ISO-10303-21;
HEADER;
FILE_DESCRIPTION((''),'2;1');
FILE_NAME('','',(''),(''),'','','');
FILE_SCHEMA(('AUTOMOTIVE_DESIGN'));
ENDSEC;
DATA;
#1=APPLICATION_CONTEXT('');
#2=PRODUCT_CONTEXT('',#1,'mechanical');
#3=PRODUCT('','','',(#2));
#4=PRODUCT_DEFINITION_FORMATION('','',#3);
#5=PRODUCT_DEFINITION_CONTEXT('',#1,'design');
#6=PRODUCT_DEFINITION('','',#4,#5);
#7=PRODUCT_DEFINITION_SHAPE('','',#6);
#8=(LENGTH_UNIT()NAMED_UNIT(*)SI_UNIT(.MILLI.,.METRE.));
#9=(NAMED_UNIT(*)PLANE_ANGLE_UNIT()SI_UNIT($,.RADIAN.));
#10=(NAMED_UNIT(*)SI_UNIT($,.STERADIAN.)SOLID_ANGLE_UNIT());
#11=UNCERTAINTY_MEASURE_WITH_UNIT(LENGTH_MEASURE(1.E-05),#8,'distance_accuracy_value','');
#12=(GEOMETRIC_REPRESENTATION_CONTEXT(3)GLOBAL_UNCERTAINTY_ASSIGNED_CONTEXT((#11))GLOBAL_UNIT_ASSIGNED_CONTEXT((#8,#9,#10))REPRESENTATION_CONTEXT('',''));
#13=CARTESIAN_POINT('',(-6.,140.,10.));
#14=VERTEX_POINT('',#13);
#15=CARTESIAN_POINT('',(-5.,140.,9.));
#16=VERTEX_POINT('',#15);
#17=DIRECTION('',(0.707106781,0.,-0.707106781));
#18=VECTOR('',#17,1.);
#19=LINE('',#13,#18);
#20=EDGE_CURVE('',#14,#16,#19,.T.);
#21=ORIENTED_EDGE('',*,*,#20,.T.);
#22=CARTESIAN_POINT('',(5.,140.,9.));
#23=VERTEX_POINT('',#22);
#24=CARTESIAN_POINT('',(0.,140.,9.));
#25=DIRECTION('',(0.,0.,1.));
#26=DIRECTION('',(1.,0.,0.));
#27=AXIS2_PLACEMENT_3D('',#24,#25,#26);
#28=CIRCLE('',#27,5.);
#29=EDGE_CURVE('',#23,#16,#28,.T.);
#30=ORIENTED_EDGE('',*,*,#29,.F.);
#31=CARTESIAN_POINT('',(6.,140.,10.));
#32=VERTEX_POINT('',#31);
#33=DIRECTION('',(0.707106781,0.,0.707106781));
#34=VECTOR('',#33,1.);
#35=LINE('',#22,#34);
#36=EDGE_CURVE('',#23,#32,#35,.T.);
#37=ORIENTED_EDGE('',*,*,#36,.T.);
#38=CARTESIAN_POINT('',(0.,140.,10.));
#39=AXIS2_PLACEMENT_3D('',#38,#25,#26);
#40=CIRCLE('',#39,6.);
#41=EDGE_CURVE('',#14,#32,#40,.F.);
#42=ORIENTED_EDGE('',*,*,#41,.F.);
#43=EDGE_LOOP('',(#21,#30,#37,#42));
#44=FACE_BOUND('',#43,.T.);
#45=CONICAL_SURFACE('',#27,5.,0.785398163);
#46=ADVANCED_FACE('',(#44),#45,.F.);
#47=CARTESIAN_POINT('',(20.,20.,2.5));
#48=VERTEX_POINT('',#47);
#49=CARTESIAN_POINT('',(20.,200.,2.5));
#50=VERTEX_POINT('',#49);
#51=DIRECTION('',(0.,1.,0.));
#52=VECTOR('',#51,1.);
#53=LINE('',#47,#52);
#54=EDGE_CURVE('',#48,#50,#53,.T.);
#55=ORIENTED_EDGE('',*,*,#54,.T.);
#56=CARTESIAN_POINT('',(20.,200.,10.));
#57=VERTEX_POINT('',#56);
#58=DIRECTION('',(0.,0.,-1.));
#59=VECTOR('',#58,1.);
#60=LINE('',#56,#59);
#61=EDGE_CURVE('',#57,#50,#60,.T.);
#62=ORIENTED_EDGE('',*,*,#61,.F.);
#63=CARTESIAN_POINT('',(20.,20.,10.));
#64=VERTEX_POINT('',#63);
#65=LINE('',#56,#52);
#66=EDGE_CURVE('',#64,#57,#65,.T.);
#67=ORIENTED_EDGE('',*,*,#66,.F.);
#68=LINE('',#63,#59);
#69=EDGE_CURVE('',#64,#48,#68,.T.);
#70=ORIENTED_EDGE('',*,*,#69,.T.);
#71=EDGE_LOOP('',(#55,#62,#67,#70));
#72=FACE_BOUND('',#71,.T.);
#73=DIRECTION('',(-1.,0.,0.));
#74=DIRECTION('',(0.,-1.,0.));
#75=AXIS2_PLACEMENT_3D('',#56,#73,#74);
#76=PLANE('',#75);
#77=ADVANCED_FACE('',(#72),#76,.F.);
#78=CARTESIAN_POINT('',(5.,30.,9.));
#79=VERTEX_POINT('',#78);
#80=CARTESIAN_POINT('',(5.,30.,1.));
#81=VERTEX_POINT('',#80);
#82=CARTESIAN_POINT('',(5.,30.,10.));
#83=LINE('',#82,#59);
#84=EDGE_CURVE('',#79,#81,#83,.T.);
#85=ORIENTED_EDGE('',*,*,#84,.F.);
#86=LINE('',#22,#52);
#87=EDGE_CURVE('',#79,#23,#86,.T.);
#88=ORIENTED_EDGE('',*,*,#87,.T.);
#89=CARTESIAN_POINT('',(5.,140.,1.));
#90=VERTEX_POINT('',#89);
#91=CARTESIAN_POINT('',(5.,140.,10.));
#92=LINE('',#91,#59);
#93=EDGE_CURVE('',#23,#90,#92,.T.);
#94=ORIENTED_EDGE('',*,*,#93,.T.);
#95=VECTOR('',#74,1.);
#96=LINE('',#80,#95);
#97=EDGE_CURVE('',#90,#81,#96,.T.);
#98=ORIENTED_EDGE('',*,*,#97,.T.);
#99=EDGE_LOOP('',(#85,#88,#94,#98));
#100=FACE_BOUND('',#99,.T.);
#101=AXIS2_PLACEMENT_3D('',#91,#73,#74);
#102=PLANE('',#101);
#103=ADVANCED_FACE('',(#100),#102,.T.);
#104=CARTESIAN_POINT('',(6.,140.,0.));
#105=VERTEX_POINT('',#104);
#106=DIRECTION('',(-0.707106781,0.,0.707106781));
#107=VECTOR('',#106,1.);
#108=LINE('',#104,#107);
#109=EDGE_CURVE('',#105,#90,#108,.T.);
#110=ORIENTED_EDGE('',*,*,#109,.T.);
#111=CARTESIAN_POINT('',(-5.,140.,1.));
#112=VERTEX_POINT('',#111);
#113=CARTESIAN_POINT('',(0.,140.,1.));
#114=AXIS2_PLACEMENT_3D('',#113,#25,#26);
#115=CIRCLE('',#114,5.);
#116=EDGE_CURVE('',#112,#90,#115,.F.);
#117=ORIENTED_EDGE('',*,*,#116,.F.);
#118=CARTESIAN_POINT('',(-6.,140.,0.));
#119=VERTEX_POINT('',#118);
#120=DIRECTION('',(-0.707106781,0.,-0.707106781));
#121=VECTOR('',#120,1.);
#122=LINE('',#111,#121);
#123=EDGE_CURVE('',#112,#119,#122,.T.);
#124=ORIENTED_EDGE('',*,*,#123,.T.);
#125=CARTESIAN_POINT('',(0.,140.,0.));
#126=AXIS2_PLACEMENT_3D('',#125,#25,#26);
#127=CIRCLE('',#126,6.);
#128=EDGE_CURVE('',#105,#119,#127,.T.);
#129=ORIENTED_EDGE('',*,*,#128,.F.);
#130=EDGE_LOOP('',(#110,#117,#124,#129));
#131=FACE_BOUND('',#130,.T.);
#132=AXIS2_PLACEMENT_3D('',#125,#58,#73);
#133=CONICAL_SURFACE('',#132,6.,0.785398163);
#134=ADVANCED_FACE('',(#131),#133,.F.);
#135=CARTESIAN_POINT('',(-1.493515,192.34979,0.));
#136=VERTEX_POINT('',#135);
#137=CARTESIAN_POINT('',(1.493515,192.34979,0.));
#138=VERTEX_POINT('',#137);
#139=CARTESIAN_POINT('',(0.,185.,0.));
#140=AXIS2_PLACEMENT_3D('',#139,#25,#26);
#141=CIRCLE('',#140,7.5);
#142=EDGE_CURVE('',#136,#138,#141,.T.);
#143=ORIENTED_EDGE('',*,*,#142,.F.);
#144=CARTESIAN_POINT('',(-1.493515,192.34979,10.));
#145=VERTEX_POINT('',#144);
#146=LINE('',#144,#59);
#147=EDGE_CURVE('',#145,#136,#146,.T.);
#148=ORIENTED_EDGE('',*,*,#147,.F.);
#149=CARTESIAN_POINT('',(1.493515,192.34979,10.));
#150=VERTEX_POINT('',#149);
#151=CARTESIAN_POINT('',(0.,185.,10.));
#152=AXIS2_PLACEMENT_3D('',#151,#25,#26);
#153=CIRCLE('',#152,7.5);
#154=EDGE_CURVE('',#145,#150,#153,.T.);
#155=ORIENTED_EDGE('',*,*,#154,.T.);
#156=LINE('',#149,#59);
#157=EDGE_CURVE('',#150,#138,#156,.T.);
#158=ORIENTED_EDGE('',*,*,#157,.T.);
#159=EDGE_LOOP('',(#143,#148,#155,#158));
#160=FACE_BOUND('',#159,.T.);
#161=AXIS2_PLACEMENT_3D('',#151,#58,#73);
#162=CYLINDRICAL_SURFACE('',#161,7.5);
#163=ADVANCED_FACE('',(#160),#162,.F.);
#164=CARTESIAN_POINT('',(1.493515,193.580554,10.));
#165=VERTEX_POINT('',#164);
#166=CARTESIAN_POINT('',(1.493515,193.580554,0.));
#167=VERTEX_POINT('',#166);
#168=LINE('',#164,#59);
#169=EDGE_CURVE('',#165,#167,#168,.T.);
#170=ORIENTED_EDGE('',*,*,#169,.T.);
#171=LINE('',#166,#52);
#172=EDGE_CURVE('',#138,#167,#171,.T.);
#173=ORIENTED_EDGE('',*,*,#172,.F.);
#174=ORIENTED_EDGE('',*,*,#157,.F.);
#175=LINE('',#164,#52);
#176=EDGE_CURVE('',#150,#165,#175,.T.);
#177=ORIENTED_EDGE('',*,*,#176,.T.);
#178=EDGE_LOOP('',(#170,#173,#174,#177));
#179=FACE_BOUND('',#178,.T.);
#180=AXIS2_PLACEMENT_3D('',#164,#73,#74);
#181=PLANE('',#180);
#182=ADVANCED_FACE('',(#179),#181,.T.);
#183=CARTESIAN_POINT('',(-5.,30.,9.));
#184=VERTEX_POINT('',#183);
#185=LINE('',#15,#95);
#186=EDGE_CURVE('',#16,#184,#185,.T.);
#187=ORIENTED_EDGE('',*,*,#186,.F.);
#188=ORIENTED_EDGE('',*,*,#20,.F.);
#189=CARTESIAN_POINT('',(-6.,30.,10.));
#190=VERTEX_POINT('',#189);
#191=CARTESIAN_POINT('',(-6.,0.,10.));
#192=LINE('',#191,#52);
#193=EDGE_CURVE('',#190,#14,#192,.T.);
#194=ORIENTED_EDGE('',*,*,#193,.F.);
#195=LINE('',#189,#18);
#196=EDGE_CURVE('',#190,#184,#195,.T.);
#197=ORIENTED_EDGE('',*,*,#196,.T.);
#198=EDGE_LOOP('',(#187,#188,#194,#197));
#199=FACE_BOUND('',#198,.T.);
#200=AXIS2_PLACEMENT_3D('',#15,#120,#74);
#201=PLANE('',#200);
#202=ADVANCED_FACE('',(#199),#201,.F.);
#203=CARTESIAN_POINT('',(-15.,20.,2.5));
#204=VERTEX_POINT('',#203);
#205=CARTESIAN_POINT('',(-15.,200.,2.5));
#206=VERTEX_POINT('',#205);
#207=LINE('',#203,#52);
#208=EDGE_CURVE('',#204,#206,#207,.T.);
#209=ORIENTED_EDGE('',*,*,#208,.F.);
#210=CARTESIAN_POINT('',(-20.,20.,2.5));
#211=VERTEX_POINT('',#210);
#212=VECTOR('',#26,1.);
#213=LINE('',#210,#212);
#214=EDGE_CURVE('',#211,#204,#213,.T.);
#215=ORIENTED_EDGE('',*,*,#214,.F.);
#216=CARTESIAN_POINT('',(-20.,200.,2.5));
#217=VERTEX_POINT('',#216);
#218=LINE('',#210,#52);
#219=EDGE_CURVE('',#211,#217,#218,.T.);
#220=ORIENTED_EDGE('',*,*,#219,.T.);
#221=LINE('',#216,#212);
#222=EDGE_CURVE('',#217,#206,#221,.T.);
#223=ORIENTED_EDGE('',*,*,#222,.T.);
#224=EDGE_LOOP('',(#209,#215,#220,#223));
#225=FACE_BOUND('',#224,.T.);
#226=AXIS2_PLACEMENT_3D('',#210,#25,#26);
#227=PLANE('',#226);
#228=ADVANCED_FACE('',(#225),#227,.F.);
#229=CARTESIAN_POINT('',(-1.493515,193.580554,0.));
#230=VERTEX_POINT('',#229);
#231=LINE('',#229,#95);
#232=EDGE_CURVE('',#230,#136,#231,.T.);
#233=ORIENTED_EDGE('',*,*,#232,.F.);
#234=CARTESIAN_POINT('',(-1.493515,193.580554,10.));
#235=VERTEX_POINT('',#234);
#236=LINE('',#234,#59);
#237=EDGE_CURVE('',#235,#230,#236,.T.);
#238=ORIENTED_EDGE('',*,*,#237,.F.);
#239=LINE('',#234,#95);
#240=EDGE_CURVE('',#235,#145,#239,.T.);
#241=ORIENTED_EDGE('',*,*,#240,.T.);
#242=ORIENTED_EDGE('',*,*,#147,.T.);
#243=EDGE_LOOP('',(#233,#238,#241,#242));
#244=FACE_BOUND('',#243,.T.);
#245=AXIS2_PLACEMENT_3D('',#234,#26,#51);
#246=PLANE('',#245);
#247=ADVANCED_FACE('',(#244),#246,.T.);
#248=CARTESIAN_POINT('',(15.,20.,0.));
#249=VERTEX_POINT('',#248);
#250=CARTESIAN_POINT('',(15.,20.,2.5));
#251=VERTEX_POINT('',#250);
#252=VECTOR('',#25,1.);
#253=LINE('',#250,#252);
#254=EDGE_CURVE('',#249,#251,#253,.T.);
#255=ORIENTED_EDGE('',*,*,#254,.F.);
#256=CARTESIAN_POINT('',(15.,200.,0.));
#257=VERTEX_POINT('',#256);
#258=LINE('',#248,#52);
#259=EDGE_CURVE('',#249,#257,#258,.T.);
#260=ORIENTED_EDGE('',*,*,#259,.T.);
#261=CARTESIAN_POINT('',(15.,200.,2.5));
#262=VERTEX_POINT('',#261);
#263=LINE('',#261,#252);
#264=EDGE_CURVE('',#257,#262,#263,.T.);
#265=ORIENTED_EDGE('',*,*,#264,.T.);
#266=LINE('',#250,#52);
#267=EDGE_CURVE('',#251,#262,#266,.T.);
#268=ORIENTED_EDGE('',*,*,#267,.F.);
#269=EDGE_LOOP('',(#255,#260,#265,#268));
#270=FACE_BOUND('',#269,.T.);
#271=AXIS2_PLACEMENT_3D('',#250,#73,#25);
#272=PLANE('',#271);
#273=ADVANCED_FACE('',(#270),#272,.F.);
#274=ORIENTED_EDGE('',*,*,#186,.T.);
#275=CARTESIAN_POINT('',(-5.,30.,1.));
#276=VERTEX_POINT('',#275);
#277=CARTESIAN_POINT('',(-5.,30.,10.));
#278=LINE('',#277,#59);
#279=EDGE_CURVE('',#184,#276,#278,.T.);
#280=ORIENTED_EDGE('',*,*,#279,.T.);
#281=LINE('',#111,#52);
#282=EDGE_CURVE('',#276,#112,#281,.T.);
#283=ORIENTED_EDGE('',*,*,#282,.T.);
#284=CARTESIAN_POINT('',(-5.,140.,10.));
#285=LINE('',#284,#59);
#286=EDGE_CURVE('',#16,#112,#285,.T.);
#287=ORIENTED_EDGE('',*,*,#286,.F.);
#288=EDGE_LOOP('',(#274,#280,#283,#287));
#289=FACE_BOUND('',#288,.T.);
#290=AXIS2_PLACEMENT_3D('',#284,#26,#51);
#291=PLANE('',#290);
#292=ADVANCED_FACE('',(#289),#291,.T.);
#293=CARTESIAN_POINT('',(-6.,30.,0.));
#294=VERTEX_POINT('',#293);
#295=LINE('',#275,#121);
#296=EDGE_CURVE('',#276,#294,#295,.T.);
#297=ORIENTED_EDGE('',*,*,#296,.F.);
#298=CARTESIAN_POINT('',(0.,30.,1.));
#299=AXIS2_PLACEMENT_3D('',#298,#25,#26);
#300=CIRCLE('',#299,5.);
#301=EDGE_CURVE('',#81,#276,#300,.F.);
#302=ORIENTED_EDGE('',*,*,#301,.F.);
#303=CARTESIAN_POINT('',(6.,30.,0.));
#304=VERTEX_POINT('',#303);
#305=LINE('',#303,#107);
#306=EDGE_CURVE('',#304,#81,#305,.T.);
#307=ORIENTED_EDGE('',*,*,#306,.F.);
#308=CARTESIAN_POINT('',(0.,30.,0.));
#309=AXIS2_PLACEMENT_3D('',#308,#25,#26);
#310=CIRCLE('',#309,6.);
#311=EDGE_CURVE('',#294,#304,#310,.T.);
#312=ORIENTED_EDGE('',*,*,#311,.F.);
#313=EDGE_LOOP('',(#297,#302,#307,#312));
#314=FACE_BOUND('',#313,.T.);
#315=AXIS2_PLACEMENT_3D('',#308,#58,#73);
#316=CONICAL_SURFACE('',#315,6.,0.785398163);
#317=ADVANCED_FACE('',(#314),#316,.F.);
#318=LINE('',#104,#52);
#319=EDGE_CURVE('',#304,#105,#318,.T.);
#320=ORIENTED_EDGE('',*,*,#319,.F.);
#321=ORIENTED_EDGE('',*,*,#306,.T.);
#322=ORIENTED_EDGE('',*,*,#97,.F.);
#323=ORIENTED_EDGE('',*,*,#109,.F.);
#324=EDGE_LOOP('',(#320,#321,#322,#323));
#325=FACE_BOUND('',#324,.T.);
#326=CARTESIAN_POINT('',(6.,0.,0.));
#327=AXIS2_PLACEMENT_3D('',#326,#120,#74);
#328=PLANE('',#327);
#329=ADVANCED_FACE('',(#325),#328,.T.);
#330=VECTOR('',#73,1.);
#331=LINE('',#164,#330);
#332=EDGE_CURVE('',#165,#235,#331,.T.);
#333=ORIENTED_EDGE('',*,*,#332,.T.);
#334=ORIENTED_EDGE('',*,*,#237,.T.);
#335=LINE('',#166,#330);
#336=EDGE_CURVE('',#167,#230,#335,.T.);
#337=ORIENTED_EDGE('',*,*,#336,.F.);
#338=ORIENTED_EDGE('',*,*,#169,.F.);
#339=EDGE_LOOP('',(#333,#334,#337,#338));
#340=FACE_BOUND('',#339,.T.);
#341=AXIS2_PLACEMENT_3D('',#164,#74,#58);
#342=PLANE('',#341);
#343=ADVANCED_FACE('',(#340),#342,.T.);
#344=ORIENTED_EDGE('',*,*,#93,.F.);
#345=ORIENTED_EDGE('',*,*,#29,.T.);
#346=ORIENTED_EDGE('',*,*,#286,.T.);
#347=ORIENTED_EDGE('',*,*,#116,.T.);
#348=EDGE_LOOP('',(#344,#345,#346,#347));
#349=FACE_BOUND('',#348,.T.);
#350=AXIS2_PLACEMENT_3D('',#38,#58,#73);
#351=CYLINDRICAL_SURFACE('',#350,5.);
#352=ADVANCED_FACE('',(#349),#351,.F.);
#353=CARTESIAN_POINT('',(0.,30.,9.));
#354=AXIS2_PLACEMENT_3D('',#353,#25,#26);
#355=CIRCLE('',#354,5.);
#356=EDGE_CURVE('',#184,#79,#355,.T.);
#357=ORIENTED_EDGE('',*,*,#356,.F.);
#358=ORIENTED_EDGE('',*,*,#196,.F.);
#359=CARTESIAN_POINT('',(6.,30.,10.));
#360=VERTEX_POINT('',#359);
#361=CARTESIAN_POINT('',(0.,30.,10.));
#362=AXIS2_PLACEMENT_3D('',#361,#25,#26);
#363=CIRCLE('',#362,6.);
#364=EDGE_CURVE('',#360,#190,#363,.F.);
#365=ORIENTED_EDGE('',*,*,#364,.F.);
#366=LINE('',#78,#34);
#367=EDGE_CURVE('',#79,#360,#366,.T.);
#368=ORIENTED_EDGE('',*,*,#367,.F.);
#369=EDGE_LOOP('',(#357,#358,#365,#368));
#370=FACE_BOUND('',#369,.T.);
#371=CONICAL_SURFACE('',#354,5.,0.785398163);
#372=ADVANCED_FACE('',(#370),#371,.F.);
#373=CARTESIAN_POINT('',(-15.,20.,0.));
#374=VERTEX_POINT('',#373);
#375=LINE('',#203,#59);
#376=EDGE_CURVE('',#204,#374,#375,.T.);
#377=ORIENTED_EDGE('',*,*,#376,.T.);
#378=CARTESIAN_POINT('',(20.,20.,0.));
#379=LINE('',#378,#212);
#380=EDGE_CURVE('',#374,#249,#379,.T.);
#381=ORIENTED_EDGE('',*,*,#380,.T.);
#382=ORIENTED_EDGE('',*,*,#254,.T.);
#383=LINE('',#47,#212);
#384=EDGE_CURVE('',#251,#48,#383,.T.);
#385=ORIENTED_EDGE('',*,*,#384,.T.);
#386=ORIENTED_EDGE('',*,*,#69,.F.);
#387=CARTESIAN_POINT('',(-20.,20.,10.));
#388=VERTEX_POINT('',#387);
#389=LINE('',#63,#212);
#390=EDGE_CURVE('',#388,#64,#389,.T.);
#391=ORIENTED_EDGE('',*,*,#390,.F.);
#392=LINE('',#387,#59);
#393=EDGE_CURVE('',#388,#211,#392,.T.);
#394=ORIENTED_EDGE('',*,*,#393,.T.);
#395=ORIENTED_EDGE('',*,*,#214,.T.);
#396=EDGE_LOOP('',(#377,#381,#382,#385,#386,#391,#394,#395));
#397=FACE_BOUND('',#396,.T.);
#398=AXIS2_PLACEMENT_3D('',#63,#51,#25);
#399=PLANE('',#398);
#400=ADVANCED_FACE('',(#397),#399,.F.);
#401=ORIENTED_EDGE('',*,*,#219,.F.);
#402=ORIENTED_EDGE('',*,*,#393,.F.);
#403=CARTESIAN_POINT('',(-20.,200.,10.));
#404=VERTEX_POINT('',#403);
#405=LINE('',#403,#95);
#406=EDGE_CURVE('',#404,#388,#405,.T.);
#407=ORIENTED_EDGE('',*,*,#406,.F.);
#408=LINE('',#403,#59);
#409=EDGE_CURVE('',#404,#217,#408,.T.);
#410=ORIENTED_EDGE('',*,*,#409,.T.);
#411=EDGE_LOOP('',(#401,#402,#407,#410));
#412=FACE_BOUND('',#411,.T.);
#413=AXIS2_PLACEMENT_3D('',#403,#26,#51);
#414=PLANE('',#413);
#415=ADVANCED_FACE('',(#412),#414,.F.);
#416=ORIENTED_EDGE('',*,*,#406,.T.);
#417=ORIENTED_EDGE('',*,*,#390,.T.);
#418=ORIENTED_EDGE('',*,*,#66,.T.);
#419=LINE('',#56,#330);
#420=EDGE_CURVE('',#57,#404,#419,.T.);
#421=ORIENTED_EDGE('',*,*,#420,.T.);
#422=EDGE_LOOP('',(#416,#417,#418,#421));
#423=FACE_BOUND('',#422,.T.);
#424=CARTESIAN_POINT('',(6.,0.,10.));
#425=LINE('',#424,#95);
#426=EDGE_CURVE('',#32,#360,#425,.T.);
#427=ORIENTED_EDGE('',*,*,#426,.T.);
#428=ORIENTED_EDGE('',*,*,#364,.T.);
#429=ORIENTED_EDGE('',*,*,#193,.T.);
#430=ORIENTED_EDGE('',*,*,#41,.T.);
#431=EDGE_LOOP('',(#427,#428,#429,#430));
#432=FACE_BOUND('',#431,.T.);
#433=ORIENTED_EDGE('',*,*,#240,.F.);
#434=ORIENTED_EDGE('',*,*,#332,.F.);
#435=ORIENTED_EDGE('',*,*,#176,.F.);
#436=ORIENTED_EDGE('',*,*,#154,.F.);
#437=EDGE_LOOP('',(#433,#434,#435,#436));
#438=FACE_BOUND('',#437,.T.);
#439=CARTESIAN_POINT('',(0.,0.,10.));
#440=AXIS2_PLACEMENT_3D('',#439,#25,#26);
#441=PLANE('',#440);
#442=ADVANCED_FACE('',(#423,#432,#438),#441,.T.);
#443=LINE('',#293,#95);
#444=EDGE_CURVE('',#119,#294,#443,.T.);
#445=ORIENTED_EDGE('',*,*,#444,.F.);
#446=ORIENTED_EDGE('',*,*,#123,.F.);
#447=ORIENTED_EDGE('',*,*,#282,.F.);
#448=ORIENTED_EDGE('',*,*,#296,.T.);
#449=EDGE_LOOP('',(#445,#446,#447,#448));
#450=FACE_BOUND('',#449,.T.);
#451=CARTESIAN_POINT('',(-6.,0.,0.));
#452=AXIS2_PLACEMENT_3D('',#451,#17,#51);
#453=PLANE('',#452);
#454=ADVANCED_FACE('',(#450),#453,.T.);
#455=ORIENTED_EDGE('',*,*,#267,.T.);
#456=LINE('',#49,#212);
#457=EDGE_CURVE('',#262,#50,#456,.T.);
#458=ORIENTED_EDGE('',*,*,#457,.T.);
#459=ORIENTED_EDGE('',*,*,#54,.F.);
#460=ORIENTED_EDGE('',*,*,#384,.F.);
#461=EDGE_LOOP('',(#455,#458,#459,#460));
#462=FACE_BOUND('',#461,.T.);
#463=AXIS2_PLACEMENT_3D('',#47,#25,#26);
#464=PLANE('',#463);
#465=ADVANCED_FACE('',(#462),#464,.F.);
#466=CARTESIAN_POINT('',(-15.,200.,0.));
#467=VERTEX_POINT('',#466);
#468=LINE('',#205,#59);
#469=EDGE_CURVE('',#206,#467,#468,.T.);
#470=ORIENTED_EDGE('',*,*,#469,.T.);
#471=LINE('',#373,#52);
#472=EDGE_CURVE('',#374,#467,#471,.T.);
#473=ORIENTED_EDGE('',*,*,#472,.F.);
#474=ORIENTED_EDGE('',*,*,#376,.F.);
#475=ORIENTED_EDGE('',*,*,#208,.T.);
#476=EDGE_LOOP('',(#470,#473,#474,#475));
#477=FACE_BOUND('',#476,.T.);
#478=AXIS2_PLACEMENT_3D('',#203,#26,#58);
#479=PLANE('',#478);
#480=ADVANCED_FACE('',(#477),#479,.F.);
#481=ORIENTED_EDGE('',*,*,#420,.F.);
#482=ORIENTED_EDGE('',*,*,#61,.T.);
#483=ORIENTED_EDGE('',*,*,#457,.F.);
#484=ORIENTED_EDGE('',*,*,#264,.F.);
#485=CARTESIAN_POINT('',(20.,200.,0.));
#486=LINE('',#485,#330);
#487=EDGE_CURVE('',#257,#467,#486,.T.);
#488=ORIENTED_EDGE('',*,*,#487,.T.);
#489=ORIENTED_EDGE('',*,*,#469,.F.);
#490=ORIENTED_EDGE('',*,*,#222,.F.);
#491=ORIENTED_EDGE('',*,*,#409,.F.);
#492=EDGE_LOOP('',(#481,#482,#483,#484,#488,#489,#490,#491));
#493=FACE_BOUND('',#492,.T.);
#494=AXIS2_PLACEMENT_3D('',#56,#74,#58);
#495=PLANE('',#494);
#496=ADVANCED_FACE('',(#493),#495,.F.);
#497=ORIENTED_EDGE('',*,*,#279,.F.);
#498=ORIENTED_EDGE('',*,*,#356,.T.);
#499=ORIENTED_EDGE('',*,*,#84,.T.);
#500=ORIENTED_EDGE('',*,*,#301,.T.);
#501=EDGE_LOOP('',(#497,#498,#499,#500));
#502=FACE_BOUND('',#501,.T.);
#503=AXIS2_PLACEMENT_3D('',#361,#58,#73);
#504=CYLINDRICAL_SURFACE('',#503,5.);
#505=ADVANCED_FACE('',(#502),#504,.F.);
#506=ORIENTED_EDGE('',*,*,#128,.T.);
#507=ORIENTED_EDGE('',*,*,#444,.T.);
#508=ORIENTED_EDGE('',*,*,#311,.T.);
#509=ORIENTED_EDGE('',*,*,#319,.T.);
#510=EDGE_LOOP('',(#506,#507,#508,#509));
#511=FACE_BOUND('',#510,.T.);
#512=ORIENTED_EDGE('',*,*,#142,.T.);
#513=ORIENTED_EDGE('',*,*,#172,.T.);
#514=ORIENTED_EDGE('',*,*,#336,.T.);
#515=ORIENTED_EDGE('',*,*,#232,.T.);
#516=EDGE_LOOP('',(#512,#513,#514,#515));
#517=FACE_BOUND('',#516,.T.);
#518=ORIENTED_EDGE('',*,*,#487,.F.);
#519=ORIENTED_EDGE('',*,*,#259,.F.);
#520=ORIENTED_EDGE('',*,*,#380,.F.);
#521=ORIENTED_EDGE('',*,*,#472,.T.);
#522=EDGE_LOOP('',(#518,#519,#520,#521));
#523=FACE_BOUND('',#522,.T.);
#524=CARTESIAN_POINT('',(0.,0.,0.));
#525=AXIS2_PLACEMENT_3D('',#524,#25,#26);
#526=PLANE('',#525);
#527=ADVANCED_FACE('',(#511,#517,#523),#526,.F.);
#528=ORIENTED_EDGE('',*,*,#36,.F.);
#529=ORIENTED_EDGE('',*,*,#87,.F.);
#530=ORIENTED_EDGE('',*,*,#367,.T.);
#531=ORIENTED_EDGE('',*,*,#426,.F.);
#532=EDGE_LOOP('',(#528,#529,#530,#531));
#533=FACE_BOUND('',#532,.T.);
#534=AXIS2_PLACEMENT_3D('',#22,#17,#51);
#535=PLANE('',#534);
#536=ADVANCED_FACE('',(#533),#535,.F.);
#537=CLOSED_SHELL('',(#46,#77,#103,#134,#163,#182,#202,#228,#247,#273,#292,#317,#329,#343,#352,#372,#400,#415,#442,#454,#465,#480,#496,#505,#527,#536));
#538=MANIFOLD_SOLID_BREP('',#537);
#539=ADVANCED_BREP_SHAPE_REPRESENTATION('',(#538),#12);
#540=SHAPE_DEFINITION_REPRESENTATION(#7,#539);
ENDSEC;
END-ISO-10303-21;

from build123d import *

# Parameters (mm, degrees)
SZKIC1_W                    = 40
SZKIC1_H                    = 180
DODANIE_WYCI_GNI_CIE1_DEPTH = 10
SZKIC2_W                    = 5
SZKIC2_H                    = 2.5
WYTNIJ_WYCI_GNI_CIE1_DEPTH  = 182.383571472
SFAZOWANIE1_SIZE            = 1


with BuildPart() as part:
    # Szkic1 → Dodanie-wyciągnięcie1 (new body)
    with BuildSketch(Plane.XY):
        with Locations((0, 110)):
            Rectangle(SZKIC1_W, SZKIC1_H)
        with BuildLine():
            Line((1.493515455, 193.580554333), (-1.493515455, 193.580554333))
            Line((-1.493515455, 193.580554333), (-1.493515455, 192.349789901))
            ThreePointArc((-1.493515455, 192.349789901), (0, 177.5), (1.493515455, 192.349789901))
            Line((1.493515455, 192.349789901), (1.493515455, 193.580554333))
        make_face(mode=Mode.SUBTRACT)
        with BuildLine():
            Line((5, 140), (5, 30))
            ThreePointArc((5, 30), (0, 25), (-5, 30))
            Line((-5, 30), (-5, 140))
            ThreePointArc((-5, 140), (0, 145), (5, 140))
        make_face(mode=Mode.SUBTRACT)
    extrude(amount=DODANIE_WYCI_GNI_CIE1_DEPTH)

    # Szkic2 → Wytnij-wyciągnięcie1 (cut, through all)
    with BuildSketch(Plane(origin=(0, 200, 0), x_dir=(1, 0, 0), z_dir=(0, 1, 0))):
        with Locations((-17.5, -1.25)):
            Rectangle(SZKIC2_W, SZKIC2_H)
        with Locations((17.5, -1.25)):
            Rectangle(SZKIC2_W, SZKIC2_H)
    extrude(amount=-WYTNIJ_WYCI_GNI_CIE1_DEPTH, mode=Mode.SUBTRACT)

    # Sfazowanie1
    sfazowanie1_edges = [part.edges().sort_by_distance(p)[0] for p in [
        (0, 145, 0),
        (-5, 85, 0),
        (0, 25, 0),
        (5, 85, 0),
        (0, 145, 10),
        (-5, 85, 10),
        (0, 25, 10),
        (5, 85, 10),
    ]]
    chamfer(sfazowanie1_edges, length=SFAZOWANIE1_SIZE)


solid = part.part
